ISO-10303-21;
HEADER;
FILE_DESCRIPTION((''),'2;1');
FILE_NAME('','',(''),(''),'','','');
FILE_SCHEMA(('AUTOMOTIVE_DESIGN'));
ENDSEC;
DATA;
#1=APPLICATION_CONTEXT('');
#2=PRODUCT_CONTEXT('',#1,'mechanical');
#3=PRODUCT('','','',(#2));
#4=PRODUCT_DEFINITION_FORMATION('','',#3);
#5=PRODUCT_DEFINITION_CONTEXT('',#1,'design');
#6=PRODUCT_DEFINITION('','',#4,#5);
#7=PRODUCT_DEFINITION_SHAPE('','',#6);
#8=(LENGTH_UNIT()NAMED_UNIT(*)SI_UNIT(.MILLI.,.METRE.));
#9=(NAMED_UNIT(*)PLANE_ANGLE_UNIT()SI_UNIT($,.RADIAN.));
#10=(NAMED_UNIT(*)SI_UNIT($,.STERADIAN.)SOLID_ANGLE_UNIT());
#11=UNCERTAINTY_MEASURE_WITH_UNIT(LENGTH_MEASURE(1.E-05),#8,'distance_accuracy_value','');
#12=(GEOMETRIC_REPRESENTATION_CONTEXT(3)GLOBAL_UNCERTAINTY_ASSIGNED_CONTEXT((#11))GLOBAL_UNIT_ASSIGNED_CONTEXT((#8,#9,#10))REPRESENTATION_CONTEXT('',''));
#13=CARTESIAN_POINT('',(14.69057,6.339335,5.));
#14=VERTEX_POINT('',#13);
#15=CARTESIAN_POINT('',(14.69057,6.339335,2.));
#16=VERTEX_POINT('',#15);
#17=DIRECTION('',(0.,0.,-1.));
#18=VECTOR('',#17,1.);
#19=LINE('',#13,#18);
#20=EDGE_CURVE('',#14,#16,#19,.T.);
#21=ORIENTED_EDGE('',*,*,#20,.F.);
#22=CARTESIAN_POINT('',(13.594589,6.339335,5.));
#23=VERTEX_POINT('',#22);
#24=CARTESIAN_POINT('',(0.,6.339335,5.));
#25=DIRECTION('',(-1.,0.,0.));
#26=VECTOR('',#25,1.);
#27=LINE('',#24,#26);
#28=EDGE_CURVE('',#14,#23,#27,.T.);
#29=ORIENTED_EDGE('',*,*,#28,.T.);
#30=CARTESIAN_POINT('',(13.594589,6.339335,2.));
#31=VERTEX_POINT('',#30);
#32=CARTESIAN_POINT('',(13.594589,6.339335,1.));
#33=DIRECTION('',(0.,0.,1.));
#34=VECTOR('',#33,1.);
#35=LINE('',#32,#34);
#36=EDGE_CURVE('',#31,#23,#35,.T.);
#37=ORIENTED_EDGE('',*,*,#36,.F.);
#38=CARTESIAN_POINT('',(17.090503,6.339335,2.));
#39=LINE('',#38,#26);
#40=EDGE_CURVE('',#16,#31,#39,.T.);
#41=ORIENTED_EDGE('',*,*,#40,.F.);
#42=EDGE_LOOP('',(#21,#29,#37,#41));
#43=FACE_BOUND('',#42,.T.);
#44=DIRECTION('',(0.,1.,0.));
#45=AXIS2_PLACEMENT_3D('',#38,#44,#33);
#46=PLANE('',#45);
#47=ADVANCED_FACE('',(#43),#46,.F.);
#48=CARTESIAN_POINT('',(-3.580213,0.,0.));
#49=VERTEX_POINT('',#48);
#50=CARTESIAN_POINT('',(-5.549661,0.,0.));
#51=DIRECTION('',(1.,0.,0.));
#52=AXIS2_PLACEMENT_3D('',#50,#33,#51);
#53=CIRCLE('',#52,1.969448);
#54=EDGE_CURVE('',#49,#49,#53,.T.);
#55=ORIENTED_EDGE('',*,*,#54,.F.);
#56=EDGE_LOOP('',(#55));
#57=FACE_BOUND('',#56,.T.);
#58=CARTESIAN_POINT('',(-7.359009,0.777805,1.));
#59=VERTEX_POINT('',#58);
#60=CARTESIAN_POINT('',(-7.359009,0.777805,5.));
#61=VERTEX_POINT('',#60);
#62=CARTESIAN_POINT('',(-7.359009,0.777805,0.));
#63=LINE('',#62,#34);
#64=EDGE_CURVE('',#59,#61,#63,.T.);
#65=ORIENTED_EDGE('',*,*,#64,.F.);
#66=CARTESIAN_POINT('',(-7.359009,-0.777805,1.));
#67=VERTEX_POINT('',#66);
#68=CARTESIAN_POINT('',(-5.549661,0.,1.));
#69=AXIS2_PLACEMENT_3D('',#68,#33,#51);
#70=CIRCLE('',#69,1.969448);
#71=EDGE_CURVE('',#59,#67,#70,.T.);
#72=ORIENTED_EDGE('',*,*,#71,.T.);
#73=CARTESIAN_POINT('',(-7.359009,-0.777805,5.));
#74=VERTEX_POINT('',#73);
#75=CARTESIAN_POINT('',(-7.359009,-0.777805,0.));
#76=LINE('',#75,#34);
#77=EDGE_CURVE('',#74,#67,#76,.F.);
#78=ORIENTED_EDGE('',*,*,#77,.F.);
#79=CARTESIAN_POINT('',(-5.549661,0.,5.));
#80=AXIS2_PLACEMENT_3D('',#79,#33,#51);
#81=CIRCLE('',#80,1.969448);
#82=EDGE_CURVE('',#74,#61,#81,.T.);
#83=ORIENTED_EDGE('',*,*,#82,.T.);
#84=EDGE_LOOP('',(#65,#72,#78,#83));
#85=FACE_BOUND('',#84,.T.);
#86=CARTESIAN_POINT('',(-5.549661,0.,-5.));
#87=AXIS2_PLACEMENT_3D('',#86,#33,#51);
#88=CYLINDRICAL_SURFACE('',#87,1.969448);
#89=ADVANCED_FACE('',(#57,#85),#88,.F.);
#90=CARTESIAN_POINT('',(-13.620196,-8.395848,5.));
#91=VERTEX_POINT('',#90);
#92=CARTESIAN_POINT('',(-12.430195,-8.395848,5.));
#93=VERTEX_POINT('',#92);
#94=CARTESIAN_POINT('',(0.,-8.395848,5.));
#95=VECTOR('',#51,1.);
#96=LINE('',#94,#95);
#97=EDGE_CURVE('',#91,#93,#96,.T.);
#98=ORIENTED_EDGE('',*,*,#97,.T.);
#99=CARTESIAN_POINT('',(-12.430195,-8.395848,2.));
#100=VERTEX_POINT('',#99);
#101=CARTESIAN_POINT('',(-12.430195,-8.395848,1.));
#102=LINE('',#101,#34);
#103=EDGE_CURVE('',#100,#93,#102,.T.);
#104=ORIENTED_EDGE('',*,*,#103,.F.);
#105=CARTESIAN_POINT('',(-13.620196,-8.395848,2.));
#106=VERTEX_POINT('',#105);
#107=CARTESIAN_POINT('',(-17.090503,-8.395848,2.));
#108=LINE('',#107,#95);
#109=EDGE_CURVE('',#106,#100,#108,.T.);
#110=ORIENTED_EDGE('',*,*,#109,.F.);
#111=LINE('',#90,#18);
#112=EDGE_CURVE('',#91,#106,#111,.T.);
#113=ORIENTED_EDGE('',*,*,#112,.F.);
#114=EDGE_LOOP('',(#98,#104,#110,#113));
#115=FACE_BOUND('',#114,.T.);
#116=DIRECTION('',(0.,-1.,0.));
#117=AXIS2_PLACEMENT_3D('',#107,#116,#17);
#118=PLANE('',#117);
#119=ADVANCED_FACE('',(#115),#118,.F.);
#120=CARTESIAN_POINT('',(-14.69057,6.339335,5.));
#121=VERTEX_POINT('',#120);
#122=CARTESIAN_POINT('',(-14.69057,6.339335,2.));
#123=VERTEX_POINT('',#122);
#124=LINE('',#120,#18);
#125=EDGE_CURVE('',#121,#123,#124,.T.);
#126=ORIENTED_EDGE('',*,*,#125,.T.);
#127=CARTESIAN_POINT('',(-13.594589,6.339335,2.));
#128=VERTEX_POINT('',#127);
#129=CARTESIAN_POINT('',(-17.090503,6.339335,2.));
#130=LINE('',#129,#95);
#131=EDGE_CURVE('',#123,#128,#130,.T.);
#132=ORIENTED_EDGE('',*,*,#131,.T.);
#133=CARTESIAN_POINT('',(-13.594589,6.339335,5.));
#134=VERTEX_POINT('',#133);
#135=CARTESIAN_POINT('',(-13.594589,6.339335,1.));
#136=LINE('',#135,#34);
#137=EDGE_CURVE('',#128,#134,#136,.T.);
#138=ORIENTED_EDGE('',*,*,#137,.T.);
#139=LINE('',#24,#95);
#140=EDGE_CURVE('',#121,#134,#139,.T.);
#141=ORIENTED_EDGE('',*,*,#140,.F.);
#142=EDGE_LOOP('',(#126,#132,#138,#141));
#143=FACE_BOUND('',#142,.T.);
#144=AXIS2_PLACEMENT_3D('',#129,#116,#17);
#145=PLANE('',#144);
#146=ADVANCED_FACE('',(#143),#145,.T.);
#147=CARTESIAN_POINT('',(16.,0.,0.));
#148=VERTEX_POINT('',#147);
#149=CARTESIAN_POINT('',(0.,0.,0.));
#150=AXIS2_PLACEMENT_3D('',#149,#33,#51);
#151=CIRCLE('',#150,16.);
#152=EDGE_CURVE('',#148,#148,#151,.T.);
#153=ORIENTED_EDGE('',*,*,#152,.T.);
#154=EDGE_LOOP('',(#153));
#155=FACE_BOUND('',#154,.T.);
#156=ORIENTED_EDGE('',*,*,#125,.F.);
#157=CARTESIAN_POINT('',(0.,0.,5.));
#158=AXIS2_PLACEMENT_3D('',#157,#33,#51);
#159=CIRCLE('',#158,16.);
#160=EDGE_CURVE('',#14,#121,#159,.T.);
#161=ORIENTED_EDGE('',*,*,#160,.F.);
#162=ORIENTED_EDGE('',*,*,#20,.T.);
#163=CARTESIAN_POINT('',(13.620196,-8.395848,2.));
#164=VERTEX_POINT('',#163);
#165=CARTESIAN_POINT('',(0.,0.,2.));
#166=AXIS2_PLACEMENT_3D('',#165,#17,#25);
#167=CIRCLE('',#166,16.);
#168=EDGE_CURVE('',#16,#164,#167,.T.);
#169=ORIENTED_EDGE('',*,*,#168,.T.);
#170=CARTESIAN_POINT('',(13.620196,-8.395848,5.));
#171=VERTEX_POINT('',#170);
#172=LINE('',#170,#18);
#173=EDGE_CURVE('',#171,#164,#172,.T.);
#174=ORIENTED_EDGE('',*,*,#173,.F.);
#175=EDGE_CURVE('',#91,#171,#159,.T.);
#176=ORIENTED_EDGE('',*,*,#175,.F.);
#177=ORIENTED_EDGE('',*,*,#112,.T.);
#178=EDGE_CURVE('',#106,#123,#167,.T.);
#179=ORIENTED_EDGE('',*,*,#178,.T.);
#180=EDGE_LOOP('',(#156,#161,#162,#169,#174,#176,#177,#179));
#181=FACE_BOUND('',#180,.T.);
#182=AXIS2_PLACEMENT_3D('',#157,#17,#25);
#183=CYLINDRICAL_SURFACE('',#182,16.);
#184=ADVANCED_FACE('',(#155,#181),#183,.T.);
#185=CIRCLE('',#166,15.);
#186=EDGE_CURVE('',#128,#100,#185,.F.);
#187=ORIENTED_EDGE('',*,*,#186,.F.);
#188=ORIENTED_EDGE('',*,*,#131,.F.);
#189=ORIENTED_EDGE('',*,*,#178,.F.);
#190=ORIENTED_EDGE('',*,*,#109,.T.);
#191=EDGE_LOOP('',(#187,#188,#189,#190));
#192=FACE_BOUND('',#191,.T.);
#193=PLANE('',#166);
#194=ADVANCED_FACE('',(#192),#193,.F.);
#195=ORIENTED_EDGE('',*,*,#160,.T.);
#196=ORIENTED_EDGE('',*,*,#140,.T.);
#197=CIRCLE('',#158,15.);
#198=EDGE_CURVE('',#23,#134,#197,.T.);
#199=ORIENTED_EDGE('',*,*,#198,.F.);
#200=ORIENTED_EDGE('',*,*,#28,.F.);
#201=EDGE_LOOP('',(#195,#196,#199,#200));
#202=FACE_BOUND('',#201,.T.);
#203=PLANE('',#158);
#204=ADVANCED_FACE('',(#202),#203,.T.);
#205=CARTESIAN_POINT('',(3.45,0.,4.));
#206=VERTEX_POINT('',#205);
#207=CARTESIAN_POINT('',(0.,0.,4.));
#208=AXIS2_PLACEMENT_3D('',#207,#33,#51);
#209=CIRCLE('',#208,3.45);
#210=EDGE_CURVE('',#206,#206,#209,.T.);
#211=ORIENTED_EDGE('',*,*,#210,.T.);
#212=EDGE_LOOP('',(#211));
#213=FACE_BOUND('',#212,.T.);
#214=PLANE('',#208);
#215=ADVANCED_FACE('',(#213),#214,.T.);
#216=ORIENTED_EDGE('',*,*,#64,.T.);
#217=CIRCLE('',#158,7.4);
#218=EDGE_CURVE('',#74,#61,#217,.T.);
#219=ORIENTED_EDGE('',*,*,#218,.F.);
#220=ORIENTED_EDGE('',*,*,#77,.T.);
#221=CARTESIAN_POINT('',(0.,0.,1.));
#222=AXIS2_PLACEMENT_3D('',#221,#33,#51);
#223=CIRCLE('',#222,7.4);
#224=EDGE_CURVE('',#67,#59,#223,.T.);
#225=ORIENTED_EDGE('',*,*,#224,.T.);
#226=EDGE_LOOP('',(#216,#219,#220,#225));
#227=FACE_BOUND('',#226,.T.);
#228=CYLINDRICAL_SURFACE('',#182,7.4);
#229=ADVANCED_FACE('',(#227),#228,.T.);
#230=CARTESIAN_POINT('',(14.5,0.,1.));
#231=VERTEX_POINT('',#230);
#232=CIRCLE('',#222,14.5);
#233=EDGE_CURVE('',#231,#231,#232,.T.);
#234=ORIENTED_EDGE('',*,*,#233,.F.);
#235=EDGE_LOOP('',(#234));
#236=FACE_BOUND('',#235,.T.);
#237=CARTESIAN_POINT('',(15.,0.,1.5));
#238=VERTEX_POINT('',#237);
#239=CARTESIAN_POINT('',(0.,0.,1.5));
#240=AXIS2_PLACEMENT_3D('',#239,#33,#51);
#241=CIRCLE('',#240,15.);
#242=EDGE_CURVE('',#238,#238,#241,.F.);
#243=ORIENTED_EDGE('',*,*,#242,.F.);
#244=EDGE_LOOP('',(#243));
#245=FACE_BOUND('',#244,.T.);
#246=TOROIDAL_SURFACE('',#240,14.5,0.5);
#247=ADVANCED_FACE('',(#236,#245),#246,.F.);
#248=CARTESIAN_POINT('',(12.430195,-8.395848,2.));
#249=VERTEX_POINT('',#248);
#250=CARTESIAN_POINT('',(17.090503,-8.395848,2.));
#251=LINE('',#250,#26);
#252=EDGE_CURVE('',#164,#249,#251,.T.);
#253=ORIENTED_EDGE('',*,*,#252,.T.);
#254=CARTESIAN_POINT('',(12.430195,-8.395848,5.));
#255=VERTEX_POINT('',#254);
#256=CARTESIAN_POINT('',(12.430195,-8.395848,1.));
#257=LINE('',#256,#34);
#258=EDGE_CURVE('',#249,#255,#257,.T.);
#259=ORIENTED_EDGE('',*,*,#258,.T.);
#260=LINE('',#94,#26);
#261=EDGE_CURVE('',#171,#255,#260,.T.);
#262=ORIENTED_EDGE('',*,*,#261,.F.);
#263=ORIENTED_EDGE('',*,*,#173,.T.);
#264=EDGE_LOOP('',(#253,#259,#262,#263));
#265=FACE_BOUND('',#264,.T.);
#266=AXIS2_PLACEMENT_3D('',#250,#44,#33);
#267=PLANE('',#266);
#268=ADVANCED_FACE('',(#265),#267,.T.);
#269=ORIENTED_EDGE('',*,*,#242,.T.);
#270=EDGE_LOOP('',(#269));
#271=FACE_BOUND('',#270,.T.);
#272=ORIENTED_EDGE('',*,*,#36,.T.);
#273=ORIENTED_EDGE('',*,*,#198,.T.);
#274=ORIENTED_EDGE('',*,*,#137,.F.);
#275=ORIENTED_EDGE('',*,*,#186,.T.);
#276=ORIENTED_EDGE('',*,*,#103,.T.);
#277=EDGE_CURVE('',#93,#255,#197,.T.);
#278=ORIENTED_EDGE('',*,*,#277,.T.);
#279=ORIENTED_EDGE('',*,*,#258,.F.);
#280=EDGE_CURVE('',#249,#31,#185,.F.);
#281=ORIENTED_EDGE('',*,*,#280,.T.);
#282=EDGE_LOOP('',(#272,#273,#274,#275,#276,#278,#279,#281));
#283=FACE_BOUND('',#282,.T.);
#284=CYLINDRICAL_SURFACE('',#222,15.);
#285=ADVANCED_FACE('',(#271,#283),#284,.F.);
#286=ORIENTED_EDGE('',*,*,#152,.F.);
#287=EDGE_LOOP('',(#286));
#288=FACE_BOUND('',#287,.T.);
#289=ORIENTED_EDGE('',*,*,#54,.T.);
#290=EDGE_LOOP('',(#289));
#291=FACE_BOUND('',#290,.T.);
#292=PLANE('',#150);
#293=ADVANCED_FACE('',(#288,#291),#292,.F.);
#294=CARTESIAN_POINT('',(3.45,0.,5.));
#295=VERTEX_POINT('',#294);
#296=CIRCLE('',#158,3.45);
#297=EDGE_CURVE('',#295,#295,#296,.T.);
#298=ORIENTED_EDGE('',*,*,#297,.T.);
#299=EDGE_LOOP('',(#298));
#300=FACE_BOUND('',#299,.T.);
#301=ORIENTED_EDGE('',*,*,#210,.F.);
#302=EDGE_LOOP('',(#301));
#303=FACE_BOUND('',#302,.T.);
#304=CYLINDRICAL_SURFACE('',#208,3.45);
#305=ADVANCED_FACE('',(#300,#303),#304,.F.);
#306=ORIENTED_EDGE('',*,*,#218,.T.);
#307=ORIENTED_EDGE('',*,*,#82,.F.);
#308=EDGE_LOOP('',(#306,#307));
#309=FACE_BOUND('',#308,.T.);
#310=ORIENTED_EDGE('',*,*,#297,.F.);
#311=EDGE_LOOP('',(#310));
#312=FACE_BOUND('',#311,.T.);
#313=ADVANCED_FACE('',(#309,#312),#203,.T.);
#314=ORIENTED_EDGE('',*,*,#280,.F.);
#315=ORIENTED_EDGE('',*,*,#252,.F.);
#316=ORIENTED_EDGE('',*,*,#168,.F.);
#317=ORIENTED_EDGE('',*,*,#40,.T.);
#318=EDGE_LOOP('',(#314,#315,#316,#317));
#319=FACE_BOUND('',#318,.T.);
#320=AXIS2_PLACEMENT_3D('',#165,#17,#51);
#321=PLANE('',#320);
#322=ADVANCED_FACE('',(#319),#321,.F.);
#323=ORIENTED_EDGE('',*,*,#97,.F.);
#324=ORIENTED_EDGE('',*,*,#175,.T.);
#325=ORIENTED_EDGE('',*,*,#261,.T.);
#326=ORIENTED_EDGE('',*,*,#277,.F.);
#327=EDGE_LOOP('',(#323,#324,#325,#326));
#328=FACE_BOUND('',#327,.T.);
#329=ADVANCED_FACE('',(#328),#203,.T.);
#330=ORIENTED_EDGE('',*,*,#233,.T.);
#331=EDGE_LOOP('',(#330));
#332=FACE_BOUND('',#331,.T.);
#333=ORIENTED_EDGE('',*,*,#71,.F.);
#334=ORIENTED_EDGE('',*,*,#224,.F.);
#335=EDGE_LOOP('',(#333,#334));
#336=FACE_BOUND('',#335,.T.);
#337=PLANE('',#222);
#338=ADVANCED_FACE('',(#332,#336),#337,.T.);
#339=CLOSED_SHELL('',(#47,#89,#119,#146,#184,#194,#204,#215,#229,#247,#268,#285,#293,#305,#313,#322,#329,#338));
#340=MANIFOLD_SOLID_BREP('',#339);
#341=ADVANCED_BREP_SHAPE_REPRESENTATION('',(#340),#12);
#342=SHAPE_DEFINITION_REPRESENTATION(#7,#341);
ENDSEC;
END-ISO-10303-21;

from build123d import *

# Parameters (mm, degrees)
SKETCH1_R           = 16
BOSS_EXTRUDE1_DEPTH = 5
SKETCH3_R           = 15
CUT_EXTRUDE1_DEPTH  = 4
FILLET1_R           = 0.5
SKETCH7_W           = 5.268501054
SKETCH7_H           = 14.735182388
CUT_EXTRUDE2_DEPTH  = 11
SKETCH8_R           = 7.4
BOSS_EXTRUDE2_DEPTH = 4
SKETCH9_R           = 3.45
CUT_EXTRUDE3_DEPTH  = 1
SKETCH11_R          = 1.969447503
CUT_EXTRUDE4_DEPTH  = 10


with BuildPart() as part:
    # Sketch1 → Boss-Extrude1 (new body)
    with BuildSketch(Plane.XY):
        Circle(SKETCH1_R)
    extrude(amount=BOSS_EXTRUDE1_DEPTH)

    # Sketch3 → Cut-Extrude1 (cut)
    with BuildSketch(Plane.XY.offset(5)):
        Circle(SKETCH3_R)
    extrude(amount=-CUT_EXTRUDE1_DEPTH, mode=Mode.SUBTRACT)

    # Fillet1
    fillet1_edges = [part.edges().sort_by_distance(p)[0] for p in [
        (-15, 0, 1),
    ]]
    fillet(fillet1_edges, radius=FILLET1_R)

    # Sketch7 → Cut-Extrude2 (cut)
    with BuildSketch(Plane.XY.offset(13)):
        with Locations((-14.456252894, -1.028256592)):
            Rectangle(SKETCH7_W, SKETCH7_H)
    cut_extrude2 = extrude(amount=-CUT_EXTRUDE2_DEPTH, mode=Mode.SUBTRACT)

    # Mirror1: Cut-Extrude2 across plane
    add(cut_extrude2.mirror(Plane(origin=(0, 0, 0), x_dir=(0, 0, 1), z_dir=(1, 0, 0))), mode=Mode.SUBTRACT)

    # Sketch8 → Boss-Extrude2 (add)
    with BuildSketch(Plane.XY.offset(1)):
        Circle(SKETCH8_R)
    extrude(amount=BOSS_EXTRUDE2_DEPTH)

    # Sketch9 → Cut-Extrude3 (cut)
    with BuildSketch(Plane.XY.offset(5)):
        Circle(SKETCH9_R)
    extrude(amount=-CUT_EXTRUDE3_DEPTH, mode=Mode.SUBTRACT)

    # Sketch11 → Cut-Extrude4 (cut)
    with BuildSketch(Plane.XY.offset(5)):
        with Locations((-5.549660814, 0)):
            Circle(SKETCH11_R)
    extrude(amount=-CUT_EXTRUDE4_DEPTH, mode=Mode.SUBTRACT)


solid = part.part
